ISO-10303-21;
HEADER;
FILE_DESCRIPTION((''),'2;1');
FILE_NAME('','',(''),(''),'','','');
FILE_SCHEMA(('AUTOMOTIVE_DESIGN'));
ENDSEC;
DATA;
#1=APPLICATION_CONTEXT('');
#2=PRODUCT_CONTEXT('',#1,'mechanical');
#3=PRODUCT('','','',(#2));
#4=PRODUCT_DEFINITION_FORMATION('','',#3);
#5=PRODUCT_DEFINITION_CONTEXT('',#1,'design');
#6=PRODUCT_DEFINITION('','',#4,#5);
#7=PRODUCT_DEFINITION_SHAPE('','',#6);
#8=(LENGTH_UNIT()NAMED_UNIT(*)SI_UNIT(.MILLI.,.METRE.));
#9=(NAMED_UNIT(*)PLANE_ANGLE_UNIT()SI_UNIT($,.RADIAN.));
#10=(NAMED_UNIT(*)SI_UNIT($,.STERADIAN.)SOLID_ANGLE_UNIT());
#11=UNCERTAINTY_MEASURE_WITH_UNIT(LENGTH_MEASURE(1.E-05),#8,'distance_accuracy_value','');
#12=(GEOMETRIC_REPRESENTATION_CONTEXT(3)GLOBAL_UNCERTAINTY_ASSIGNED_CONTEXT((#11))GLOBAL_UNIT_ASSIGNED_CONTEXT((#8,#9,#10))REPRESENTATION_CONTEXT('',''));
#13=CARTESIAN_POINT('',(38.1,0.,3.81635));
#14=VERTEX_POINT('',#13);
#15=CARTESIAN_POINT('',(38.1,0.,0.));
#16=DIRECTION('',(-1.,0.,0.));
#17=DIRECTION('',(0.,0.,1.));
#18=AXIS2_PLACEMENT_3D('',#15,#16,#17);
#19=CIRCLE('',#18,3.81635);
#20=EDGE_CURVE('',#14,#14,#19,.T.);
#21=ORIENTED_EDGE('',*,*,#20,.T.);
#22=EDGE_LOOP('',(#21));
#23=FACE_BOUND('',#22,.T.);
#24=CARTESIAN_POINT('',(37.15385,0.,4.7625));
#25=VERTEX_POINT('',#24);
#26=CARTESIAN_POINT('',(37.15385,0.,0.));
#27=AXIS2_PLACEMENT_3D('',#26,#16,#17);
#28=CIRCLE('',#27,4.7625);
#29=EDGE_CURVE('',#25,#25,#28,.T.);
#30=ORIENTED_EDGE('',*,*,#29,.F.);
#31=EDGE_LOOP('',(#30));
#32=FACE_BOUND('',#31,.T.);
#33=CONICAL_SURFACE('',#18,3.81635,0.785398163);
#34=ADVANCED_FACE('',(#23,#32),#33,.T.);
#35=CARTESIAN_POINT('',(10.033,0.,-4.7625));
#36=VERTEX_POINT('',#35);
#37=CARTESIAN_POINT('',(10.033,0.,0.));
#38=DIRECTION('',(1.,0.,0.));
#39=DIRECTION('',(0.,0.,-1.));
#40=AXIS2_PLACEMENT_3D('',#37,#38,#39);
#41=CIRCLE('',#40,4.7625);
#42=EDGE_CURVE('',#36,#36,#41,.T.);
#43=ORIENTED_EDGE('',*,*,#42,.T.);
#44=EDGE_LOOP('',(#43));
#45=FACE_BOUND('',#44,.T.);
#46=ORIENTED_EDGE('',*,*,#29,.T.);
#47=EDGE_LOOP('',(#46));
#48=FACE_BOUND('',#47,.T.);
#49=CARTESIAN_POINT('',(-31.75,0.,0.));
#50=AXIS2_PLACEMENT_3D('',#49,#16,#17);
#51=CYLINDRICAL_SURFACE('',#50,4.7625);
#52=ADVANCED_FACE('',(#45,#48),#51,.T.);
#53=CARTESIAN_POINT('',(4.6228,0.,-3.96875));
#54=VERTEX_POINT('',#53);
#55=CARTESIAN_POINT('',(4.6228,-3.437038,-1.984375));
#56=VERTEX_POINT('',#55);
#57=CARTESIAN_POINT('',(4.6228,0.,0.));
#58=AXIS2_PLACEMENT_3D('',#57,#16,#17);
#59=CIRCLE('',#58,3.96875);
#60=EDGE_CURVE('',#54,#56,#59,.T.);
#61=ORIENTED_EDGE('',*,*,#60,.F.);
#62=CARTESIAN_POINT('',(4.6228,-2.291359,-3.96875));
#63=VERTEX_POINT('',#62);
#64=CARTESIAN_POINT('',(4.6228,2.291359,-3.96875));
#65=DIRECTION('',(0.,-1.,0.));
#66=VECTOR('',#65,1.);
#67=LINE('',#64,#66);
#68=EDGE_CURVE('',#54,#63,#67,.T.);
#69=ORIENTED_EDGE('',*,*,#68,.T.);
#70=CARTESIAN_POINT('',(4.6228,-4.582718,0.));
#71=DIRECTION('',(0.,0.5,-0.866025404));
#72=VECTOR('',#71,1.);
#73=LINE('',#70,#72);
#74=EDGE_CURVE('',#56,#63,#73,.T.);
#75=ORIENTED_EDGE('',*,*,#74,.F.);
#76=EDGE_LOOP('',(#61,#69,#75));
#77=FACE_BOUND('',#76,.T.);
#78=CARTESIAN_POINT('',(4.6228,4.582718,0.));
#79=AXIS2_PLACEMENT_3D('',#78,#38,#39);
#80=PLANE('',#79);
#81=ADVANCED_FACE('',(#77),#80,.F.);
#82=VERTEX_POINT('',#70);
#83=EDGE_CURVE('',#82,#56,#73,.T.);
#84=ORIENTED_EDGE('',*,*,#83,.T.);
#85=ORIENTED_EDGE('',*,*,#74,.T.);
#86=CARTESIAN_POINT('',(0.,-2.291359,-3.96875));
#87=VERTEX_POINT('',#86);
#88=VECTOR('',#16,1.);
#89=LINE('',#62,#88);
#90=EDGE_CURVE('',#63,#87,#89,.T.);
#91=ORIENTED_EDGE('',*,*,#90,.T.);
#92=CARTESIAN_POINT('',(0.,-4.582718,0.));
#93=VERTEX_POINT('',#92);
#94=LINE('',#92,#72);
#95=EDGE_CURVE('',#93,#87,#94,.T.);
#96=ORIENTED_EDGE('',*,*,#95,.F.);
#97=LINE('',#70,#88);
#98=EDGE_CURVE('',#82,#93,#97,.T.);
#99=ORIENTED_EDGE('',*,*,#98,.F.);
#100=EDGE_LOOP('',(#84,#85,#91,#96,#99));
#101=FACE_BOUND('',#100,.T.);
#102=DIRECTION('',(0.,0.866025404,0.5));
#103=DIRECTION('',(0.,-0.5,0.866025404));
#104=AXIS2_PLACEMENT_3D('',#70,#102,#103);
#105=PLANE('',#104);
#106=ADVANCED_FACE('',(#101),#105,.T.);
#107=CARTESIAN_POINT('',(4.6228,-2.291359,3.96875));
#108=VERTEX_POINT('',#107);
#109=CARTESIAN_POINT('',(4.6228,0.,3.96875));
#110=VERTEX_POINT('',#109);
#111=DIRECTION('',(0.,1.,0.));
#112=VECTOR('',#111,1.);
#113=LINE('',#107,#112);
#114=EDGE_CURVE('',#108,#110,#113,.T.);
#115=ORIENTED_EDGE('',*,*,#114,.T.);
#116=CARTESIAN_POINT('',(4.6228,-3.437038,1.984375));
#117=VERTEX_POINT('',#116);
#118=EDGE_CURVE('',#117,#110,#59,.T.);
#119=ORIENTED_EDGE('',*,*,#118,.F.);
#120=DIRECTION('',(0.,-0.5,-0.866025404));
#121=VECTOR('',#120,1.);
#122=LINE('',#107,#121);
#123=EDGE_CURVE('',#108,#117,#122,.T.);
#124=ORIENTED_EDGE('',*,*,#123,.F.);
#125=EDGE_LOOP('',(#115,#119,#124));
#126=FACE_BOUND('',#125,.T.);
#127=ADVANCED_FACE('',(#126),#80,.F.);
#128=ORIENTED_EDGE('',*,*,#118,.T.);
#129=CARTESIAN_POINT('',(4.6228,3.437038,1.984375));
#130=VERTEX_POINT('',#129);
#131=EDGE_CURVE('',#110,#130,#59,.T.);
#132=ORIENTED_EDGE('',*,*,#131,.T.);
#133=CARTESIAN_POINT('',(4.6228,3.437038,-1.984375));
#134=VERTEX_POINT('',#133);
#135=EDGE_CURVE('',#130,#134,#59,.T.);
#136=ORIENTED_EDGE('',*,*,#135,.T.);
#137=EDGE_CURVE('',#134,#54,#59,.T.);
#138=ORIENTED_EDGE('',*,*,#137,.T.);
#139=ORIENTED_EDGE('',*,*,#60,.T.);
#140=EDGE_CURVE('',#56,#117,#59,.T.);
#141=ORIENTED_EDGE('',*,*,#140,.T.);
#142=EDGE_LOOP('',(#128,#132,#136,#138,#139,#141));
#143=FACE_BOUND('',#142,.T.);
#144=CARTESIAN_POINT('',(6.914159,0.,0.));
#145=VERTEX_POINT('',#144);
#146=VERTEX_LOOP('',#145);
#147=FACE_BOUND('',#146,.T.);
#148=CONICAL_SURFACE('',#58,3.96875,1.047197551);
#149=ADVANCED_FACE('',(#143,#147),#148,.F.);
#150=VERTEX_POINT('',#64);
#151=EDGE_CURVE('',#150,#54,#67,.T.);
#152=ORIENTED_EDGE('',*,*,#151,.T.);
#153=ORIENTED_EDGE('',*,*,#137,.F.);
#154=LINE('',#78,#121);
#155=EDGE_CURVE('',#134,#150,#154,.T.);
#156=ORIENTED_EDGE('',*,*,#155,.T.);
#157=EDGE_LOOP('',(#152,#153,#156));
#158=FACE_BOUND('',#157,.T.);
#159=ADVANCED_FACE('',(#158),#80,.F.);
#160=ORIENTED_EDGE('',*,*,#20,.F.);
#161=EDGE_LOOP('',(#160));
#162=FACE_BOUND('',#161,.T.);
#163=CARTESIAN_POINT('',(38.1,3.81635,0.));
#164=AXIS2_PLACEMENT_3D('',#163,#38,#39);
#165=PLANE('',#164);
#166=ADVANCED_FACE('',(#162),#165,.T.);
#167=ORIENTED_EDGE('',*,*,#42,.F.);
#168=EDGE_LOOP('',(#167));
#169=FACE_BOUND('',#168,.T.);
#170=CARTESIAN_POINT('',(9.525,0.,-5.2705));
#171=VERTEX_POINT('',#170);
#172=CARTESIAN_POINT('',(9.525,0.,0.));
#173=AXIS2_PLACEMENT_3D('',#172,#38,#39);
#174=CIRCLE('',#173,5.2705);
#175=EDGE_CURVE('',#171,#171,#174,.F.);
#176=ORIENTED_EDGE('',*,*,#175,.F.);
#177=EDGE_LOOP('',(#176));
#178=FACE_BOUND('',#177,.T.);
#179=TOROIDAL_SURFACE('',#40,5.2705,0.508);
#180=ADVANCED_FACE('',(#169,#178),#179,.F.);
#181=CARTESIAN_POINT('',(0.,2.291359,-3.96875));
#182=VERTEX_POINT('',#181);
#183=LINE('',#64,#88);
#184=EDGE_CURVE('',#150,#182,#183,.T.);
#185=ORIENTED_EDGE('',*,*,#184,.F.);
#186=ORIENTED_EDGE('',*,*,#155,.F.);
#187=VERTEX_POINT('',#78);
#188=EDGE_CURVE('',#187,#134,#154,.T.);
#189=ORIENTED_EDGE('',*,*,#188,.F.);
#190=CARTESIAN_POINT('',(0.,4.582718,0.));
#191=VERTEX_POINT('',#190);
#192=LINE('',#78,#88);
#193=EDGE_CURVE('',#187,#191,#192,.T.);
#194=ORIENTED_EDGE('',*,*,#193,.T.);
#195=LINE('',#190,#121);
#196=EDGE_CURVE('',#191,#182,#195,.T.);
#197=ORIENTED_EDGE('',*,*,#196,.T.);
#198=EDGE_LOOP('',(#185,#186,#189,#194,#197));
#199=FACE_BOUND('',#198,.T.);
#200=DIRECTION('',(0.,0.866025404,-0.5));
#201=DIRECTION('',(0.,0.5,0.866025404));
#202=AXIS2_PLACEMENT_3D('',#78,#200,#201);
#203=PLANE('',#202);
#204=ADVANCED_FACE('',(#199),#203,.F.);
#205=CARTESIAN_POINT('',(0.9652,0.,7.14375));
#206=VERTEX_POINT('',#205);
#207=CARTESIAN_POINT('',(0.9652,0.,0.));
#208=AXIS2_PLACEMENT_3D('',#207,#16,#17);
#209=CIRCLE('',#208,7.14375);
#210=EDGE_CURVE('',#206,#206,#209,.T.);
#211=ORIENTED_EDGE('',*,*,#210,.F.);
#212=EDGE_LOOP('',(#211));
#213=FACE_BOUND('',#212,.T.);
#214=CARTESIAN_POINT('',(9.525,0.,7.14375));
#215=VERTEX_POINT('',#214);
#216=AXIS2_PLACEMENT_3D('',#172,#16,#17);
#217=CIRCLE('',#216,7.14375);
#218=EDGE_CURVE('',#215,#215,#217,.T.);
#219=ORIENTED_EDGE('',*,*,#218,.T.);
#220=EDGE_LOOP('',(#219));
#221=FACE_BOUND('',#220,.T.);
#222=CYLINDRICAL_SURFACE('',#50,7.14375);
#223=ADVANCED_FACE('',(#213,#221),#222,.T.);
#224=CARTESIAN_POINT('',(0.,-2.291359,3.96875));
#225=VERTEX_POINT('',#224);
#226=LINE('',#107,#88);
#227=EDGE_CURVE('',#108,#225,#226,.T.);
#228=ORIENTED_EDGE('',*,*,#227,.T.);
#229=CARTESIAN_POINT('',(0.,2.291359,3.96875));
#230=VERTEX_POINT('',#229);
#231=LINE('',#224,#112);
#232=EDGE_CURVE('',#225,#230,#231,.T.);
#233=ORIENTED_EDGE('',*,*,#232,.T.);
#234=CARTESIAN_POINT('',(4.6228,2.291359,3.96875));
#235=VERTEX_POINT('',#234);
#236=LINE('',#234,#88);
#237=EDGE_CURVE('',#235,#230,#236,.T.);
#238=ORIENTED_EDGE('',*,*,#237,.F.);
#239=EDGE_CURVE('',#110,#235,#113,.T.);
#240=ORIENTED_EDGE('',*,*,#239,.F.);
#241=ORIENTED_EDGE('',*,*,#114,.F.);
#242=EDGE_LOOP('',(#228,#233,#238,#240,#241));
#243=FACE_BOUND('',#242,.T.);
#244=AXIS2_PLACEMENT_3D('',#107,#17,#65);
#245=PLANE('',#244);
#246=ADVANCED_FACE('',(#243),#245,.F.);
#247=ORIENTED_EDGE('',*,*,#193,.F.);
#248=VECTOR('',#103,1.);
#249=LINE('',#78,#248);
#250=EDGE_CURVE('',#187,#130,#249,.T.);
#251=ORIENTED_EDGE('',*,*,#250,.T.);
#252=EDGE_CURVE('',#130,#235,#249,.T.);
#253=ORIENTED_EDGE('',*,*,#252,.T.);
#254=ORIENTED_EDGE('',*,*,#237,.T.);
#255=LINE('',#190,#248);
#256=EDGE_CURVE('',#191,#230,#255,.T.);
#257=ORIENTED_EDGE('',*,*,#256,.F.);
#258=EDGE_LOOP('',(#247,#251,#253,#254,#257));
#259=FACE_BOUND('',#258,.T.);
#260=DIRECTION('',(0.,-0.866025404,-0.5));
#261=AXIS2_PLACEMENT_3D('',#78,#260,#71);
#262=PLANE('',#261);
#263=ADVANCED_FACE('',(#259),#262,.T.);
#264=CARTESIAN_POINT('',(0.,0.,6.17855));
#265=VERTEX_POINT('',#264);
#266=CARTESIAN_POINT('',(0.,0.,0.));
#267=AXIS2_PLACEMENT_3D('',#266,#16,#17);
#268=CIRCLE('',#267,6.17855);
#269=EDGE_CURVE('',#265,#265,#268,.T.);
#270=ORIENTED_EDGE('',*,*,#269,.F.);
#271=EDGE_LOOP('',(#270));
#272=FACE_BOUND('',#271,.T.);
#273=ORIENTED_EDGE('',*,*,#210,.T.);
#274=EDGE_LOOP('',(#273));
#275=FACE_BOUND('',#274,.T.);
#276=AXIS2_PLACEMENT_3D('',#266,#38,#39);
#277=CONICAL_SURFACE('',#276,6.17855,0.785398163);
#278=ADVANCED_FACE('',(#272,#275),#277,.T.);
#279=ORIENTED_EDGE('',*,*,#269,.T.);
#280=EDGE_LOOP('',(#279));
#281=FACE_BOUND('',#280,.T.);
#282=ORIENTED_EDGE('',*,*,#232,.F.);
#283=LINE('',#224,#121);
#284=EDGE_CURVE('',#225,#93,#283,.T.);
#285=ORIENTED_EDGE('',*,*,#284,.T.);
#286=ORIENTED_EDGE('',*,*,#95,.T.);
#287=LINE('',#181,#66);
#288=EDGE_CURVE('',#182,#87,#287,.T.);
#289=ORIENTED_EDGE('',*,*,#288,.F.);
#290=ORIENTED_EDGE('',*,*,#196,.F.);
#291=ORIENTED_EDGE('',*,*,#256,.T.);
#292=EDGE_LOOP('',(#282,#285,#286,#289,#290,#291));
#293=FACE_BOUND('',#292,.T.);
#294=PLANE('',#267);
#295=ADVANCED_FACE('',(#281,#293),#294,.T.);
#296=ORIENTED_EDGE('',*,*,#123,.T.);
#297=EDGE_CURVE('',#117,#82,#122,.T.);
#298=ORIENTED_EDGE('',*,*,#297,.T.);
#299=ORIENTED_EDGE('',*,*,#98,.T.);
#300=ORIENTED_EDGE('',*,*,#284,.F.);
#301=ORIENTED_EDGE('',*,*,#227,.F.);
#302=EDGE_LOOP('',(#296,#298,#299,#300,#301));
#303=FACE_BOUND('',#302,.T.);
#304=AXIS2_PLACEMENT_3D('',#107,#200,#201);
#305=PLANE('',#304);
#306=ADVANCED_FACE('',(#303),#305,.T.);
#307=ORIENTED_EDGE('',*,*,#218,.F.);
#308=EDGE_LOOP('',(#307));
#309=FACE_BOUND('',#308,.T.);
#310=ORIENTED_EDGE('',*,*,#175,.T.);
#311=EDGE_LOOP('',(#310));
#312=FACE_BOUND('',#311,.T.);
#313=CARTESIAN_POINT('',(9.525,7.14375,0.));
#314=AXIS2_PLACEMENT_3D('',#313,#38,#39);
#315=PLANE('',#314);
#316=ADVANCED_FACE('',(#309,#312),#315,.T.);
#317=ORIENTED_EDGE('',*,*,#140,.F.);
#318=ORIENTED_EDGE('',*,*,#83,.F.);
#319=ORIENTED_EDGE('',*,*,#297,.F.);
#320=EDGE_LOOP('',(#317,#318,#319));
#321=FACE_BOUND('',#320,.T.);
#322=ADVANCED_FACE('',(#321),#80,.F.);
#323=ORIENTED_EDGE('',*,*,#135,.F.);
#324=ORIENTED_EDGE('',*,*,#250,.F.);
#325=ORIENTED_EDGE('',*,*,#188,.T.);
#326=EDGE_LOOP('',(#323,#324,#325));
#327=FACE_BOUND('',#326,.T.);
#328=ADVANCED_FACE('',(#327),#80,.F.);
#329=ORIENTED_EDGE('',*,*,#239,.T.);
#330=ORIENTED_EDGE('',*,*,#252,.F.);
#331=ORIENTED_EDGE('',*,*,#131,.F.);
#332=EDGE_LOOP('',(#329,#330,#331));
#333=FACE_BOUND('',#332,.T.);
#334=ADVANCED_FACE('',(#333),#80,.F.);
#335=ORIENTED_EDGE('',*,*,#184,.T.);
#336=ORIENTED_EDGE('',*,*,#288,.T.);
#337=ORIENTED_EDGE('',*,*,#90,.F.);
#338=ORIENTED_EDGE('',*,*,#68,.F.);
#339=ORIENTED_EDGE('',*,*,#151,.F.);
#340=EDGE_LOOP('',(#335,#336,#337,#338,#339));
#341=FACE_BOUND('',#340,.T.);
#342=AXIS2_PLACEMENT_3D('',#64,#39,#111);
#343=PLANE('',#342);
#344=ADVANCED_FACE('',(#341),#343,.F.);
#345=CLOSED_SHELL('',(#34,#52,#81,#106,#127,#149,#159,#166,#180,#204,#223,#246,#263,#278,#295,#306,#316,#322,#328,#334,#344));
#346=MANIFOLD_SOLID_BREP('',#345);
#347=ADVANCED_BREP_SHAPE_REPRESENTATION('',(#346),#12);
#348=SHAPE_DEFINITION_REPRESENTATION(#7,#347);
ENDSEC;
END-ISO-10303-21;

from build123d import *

# Parameters (mm, degrees)
FILLET1_R   = 0.508
HEX_2_DEPTH = 4.6228


with BuildPart() as part:
    # BodySke → Base-Revolve (revolve)
    with BuildSketch(Plane.XY, mode=Mode.PRIVATE) as base_revolve_sk:
        Polygon((0, 0), (0, 6.17855), (0.9652, 7.14375), (9.525, 7.14375), (9.525, 4.7625), (37.15385, 4.7625), (38.1, 3.81635), (38.1, 0), align=None)
    revolve(base_revolve_sk.sketch.rotate(Axis((-31.75, 0, 0), (1, 0, 0)), 90), axis=Axis((-31.75, 0, 0), (1, 0, 0)))

    # Fillet1
    fillet1_edges = [part.edges().sort_by_distance(p)[0] for p in [
        (9.525, 0, -4.7625),
    ]]
    fillet(fillet1_edges, radius=FILLET1_R)

    # Sketch2 → Hex-PreBroach (revolve, cut)
    with BuildSketch(Plane.XY, mode=Mode.PRIVATE) as hex_prebroach_sk:
        Polygon((0, 3.96875), (4.6228, 3.96875), (6.914158881, 0), (0, 0), align=None)
    revolve(hex_prebroach_sk.sketch.rotate(Axis((0, 0, 0), (1, 0, 0)), 90), axis=Axis((0, 0, 0), (1, 0, 0)), mode=Mode.SUBTRACT)

    # Sketch3 → Hex 2 (cut)
    with BuildSketch(Plane(origin=(0, 0, 0), x_dir=(0, 0.500000000000001, 0.866025403784438), z_dir=(-1, 0, 0))):
        Polygon((2.291358881, 3.96875), (-2.291358881, 3.96875), (-4.582717762, 0), (-2.291358881, -3.96875), (2.291358881, -3.96875), (4.582717762, 0), align=None)
    extrude(amount=-HEX_2_DEPTH, mode=Mode.SUBTRACT)


solid = part.part
